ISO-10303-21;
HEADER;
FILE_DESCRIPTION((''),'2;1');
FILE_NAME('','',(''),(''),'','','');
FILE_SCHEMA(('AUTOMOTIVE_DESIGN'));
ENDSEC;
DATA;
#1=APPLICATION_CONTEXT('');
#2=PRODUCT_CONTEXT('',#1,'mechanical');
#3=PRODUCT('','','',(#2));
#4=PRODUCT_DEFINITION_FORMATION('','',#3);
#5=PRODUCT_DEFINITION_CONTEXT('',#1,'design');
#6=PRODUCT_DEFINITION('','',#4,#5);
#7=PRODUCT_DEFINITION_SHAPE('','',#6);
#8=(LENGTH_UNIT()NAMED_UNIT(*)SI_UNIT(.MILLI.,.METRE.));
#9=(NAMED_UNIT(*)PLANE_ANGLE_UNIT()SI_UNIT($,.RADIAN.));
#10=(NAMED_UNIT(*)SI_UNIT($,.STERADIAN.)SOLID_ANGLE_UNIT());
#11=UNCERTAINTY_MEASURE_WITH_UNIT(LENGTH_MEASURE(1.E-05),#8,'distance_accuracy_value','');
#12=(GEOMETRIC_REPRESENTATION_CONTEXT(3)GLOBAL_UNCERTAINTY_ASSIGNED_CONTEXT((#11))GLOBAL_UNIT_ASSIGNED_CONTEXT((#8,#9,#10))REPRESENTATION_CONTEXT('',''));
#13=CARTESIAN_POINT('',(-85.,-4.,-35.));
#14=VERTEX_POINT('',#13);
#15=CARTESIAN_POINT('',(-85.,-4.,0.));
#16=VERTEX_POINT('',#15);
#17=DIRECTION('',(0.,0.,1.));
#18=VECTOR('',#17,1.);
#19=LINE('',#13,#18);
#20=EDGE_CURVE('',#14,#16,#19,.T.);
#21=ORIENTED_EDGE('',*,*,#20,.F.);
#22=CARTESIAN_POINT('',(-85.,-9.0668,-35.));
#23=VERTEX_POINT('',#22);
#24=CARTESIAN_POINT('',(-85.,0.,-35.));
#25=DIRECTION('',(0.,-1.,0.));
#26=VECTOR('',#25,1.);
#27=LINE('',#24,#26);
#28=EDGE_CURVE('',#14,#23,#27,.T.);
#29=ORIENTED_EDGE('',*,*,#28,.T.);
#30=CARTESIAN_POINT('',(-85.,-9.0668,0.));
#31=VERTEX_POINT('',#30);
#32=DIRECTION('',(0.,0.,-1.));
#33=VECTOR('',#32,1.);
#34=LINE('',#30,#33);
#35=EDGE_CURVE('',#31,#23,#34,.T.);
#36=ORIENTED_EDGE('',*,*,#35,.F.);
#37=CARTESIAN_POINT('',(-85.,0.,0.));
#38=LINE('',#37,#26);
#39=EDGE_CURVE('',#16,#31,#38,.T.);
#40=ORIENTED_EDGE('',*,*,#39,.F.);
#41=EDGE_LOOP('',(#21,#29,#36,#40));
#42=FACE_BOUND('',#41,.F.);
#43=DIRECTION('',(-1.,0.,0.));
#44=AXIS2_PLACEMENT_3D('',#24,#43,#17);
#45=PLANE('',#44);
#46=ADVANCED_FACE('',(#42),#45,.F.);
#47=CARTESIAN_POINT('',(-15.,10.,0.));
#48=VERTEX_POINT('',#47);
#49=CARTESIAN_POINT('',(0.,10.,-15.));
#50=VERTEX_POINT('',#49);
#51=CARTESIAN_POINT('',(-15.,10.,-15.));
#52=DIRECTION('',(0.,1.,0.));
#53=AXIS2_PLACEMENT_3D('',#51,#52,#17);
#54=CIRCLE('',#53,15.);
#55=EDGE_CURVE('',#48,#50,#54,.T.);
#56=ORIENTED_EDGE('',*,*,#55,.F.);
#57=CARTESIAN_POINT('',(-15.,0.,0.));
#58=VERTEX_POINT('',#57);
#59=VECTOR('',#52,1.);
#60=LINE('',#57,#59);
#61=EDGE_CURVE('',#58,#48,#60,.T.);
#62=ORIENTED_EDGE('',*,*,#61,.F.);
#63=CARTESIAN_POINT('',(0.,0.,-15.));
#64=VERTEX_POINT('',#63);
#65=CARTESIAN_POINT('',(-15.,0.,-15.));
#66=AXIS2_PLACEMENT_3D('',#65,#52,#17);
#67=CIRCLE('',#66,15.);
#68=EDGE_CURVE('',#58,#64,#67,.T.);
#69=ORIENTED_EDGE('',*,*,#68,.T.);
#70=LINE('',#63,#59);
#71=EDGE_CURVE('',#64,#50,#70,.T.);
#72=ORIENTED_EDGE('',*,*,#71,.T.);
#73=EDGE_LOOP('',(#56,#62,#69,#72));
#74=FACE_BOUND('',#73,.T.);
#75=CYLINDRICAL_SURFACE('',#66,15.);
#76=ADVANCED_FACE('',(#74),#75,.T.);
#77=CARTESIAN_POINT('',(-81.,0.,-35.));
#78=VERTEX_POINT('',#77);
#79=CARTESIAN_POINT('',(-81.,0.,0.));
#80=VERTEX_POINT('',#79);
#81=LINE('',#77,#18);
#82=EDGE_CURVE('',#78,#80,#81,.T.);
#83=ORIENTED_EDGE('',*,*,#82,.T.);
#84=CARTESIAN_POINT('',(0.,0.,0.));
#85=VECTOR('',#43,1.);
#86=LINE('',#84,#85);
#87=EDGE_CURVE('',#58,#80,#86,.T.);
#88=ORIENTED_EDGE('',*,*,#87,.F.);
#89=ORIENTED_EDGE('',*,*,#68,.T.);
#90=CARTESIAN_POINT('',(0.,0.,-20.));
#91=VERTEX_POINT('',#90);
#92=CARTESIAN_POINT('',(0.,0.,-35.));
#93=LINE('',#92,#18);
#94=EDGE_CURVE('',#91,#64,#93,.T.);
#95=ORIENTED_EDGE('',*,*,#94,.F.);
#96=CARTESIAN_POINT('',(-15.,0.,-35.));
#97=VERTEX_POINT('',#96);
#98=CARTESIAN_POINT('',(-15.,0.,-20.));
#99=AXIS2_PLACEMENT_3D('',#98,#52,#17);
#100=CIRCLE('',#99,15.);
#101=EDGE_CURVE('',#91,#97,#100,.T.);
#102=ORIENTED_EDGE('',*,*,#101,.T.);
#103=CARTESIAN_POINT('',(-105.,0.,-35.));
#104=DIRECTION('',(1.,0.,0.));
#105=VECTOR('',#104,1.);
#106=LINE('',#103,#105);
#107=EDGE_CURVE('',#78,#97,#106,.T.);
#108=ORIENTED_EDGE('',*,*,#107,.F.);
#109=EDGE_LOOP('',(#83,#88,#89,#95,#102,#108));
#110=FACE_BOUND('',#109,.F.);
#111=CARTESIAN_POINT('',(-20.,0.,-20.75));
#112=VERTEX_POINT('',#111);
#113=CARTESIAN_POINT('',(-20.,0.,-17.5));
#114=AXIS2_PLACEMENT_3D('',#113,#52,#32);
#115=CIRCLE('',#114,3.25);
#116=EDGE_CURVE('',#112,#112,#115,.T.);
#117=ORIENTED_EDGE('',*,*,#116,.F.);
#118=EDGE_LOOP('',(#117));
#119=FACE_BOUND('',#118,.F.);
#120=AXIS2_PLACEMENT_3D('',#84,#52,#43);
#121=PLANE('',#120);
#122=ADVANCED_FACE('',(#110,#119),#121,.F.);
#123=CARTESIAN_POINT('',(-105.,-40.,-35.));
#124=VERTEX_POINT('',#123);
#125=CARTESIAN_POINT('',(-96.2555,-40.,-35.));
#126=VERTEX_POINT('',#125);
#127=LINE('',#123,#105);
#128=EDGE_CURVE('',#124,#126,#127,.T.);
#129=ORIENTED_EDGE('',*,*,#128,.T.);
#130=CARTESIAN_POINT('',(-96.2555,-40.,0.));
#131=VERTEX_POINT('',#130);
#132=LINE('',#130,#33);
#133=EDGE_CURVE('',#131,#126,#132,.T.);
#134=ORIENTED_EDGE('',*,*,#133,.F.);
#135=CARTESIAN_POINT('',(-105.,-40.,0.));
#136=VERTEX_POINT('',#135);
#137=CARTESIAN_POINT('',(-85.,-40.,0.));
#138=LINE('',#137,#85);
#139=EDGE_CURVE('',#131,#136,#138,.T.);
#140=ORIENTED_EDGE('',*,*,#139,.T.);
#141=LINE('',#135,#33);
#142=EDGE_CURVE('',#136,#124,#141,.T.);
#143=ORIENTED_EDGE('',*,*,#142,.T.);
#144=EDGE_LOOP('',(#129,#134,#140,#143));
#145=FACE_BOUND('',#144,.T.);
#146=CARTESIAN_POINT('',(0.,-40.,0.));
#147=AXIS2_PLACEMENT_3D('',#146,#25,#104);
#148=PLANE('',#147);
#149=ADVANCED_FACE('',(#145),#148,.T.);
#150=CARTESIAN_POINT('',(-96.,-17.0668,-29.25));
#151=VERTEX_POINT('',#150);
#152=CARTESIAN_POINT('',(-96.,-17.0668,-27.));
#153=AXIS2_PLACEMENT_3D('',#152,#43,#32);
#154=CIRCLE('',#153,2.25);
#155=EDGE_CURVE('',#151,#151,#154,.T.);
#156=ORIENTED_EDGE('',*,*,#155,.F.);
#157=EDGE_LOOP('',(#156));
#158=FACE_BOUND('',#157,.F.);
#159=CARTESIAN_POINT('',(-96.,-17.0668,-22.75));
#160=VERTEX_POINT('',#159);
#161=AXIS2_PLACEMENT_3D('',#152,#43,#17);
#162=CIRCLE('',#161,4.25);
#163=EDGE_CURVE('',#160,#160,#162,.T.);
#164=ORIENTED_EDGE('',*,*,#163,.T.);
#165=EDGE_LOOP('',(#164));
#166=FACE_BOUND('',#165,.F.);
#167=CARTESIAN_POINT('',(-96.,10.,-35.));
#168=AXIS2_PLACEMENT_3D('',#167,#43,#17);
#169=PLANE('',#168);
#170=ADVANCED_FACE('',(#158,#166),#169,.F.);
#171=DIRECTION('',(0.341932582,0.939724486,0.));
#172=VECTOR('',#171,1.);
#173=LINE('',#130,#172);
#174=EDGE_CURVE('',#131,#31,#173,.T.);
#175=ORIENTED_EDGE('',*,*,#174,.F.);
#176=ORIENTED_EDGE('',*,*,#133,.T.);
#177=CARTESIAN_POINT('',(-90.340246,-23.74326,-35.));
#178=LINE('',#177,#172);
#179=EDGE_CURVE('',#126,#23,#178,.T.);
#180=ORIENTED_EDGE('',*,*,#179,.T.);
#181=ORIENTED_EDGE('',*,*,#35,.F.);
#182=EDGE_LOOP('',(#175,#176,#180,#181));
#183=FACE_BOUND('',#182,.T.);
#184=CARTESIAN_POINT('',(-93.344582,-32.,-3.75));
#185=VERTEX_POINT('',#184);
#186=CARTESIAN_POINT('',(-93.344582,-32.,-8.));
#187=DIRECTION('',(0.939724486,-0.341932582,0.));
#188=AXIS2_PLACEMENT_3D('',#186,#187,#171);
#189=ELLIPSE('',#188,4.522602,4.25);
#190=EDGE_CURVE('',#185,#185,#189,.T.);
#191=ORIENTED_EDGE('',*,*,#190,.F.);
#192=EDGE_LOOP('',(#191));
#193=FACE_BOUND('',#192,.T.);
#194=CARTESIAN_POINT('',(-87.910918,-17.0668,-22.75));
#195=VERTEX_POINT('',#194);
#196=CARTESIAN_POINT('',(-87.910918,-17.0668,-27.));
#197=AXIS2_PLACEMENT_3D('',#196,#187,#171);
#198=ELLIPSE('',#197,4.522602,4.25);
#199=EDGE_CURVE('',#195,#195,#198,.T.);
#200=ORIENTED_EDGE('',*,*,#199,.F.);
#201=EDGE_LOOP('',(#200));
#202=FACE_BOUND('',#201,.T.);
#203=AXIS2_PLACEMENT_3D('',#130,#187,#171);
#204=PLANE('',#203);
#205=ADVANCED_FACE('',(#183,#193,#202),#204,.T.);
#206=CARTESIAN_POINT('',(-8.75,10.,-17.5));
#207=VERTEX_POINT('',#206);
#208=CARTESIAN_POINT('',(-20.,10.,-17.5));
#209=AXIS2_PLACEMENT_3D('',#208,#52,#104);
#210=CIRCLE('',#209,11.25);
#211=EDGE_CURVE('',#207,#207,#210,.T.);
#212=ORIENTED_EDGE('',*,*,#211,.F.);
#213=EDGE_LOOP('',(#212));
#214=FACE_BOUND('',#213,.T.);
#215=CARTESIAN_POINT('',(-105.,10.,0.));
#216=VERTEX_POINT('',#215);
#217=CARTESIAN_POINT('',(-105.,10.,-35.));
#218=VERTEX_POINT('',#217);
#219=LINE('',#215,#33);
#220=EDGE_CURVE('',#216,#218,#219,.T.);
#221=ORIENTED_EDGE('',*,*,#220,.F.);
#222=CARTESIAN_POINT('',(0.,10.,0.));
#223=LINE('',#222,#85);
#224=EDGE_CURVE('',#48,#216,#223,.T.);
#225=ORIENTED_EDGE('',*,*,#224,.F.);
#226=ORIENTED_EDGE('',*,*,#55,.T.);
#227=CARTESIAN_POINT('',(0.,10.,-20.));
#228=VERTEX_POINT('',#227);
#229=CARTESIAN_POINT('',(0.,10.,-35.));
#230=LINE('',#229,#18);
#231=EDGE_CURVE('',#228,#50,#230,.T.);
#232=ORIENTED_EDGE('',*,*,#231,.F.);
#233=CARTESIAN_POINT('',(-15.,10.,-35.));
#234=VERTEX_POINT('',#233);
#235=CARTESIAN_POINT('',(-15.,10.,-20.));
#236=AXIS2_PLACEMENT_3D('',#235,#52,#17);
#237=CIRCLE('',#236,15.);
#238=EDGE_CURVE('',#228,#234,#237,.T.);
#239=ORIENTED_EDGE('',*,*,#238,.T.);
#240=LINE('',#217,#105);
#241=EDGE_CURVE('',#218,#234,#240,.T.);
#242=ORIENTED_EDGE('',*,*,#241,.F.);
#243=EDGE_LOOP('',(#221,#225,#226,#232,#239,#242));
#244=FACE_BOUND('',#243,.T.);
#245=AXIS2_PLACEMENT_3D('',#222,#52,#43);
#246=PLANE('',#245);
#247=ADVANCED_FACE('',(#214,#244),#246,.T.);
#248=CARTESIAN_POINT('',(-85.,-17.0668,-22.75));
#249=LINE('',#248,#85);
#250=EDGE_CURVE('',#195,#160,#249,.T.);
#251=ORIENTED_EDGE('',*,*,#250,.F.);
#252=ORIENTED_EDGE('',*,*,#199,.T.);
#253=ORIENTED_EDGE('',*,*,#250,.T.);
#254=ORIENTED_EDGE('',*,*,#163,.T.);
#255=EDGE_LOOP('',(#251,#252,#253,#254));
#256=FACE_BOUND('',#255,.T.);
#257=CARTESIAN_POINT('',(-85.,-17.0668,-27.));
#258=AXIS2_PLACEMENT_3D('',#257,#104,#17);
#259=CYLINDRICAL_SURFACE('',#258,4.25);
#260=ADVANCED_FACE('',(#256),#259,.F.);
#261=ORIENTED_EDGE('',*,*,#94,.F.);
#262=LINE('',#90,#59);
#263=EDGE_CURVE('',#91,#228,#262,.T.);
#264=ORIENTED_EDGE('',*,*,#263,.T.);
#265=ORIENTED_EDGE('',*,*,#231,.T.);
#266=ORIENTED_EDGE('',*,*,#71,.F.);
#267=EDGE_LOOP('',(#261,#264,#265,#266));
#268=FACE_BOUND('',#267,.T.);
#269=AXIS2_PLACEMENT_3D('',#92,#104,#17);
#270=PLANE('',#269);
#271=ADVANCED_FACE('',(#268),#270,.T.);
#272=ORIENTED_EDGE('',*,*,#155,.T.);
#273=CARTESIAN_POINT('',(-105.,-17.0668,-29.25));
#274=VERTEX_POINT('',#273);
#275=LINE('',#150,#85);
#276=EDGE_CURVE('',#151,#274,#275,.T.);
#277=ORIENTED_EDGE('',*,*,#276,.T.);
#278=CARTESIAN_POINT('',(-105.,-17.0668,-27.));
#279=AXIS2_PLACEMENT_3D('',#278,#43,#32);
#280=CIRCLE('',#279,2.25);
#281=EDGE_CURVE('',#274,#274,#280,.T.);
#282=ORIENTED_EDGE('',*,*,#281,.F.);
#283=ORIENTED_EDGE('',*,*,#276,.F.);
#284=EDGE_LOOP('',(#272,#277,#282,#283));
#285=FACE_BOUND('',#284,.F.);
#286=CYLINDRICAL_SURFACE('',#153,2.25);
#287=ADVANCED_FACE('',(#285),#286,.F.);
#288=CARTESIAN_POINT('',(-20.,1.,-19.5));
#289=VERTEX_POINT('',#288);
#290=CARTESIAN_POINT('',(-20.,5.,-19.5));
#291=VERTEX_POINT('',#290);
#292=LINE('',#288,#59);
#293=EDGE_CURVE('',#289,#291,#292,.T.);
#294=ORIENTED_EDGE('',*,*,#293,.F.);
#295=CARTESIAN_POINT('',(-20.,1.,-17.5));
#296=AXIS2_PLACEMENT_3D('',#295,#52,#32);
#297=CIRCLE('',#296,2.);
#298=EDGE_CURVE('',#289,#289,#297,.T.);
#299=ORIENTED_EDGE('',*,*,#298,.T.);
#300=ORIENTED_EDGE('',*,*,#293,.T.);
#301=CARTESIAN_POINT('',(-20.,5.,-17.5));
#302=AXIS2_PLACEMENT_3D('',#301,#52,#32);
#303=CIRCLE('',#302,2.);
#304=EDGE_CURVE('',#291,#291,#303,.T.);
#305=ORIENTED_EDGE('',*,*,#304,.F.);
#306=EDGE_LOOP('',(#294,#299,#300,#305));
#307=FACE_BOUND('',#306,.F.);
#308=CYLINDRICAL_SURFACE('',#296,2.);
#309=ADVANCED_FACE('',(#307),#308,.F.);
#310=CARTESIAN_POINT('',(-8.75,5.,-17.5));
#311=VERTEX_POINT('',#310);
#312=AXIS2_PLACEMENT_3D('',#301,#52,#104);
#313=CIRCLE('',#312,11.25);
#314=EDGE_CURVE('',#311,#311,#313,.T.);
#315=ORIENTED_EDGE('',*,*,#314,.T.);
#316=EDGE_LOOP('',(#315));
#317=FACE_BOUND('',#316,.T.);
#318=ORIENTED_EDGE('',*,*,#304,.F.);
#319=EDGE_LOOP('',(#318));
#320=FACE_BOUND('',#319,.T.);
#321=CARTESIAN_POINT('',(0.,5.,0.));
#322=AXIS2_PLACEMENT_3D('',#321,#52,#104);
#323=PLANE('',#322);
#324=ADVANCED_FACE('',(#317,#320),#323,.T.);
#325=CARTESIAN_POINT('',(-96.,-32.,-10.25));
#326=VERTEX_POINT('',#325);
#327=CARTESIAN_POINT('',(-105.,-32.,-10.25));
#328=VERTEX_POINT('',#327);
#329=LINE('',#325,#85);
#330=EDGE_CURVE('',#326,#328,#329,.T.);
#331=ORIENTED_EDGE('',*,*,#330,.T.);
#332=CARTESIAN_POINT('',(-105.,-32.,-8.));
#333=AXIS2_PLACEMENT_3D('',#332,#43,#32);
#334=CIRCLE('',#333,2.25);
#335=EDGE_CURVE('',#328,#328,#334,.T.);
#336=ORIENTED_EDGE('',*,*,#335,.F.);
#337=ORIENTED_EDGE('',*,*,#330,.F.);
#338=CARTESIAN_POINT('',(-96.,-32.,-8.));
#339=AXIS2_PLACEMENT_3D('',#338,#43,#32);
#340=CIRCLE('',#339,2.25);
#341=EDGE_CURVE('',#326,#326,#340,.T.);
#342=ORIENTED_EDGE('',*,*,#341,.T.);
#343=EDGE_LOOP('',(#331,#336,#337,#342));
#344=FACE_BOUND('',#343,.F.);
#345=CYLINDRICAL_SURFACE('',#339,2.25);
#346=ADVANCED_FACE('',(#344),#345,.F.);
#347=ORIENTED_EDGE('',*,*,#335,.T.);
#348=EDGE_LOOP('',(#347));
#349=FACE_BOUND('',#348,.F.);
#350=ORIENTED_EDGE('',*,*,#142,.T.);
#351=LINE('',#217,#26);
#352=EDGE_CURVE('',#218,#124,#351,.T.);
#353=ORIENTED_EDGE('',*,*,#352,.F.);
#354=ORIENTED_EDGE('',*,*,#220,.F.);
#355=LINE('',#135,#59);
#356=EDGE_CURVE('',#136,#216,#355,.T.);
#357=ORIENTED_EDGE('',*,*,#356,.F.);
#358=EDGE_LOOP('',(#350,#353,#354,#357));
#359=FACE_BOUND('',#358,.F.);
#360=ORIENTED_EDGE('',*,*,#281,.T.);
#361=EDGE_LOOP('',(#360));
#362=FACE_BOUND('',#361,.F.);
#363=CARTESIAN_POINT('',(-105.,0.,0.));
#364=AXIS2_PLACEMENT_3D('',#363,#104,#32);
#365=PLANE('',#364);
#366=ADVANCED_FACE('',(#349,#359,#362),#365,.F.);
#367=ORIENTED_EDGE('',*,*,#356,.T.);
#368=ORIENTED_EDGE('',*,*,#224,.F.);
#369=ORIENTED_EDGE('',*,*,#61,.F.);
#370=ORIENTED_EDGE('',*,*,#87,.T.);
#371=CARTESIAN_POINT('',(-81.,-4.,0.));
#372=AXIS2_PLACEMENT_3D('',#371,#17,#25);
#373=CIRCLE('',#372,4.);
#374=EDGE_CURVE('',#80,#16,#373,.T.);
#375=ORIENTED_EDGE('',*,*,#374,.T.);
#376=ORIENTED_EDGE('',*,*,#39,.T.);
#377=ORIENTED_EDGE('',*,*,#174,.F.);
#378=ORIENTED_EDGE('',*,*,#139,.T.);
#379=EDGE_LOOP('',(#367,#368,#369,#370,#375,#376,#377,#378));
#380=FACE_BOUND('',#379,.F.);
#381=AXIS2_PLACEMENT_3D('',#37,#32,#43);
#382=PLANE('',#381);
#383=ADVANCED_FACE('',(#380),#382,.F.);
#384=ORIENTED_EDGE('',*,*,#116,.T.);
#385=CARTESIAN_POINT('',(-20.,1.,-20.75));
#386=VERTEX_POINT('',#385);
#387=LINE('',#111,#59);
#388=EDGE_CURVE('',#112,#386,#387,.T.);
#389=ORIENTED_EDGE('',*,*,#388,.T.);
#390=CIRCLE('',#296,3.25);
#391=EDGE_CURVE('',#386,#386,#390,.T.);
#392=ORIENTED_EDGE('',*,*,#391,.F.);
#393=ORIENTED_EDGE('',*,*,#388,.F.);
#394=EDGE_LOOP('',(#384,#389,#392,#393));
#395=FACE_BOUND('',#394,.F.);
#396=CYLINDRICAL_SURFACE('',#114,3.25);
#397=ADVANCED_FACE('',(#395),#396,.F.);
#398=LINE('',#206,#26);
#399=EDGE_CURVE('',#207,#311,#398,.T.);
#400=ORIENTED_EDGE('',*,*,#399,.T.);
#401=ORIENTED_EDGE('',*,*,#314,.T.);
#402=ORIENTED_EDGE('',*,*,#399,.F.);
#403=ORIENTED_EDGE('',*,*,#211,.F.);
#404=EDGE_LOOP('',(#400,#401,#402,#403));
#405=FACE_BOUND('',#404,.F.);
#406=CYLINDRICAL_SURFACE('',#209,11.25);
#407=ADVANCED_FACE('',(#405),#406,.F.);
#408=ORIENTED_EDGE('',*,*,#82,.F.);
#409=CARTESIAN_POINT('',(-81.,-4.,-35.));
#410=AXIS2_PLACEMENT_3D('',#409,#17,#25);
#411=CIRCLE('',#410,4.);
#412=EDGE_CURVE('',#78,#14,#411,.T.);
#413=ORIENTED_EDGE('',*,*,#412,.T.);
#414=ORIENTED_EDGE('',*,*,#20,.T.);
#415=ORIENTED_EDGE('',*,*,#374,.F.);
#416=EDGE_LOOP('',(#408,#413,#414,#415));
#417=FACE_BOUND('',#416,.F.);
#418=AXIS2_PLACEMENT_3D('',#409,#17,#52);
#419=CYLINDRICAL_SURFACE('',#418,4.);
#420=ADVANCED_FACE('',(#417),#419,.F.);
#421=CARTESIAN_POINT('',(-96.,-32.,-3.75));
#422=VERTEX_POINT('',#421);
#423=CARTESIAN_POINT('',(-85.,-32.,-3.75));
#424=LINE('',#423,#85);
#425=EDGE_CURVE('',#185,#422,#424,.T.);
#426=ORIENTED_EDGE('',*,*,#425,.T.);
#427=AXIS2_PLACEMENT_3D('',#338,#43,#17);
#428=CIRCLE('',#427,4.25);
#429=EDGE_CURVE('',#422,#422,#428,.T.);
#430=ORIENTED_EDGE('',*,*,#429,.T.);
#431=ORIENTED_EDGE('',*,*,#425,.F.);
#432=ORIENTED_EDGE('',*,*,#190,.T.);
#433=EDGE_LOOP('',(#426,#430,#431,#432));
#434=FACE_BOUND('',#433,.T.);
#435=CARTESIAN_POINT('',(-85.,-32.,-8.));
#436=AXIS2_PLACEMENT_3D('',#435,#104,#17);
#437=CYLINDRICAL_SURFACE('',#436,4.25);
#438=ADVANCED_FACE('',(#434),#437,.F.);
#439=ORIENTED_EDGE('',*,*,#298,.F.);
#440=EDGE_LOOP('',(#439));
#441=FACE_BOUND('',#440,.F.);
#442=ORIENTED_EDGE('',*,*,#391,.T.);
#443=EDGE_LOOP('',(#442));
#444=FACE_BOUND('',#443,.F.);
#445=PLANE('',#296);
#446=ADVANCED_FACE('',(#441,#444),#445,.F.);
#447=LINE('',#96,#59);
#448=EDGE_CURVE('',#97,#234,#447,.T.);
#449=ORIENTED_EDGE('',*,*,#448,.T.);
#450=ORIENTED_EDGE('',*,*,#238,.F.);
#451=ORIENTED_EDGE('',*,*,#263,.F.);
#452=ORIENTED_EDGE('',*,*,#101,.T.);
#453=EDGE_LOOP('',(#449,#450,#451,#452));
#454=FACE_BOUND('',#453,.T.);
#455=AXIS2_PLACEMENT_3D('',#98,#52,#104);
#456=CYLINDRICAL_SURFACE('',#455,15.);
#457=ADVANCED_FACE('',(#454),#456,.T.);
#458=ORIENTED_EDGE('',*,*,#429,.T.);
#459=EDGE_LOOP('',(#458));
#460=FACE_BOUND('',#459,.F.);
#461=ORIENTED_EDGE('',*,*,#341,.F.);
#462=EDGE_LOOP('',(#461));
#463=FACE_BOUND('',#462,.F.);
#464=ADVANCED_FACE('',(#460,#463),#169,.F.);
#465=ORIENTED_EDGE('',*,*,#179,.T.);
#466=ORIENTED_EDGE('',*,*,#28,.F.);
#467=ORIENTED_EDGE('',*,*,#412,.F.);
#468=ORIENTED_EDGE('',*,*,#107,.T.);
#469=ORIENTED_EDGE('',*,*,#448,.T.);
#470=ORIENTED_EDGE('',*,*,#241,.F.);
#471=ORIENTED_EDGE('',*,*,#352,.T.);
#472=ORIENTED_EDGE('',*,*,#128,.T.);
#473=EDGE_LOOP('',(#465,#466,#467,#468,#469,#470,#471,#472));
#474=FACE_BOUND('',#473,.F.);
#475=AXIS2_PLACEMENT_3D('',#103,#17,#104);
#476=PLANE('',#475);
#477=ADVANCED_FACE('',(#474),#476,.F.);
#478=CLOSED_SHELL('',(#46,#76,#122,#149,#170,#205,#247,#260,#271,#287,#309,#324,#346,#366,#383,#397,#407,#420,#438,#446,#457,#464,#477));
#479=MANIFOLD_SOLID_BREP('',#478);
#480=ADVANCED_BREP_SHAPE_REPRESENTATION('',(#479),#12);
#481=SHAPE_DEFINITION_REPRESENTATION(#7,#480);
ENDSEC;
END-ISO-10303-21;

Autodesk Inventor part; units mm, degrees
ref_plane "YZ Plane" through (0, 0, 0) normal (1, 0, 0) x (0, 1, 0)
ref_plane "XZ Plane" through (0, 0, 0) normal (0, 1, 0) x (-1, 0, 0)
sketch "Sketch1" plane through (0, 0, 0) normal (0, 1, 0) x (-1, 0, 0)
  line L0 (0, 0) -> (105, 0)
  line L1 (105, 0) -> (105, -35)
  line L2 (105, -35) -> (0, -35)
  line L3 (0, -35) -> (0, 0)
  dimension "d0" = 35
  dimension "d1" = 105
extrude "Extrusion1" add sketch "Sketch1" along normal blind 10
sketch "Sketch2" plane through (0, 10, 0) normal (0, 1, 0) x (1, 0, 0)
  circle A0 centre (-20, 17.5) radius 11.25
  line L0 (0, 35) -> (-105, 35) projected
  line L1 (-105, 35) -> (-105, 0) projected
  point P0 (0, 0)
  dimension "d4" = 22.5
  dimension "d5" = 17.5
  dimension "d6" = 85
extrude "Extrusion2" cut sketch "Sketch2" against normal blind 5
sketch "Sketch3" plane through (0, 0, 0) normal (0, -1, 0) x (1, 0, 0)
  circle A0 centre (-20, -17.5) radius 11.25 construction
  point P0 (0, 0)
hole "Hole1" at (-20, 0, -17.5) direction (0, 1, 0) diameter 4 depth 8 tip angle 118 counterbore diameter 6.5 counterbore depth 1
sketch "Sketch4" plane through (0, 0, 0) normal (0, -1, 0) x (1, 0, 0)
  line L0 (-105, -35) -> (0, -35) projected
  line L1 (-105, -35) -> (-85, -35)
  line L2 (-85, -35) -> (-85, 0)
  line L3 (-85, 0) -> (-105, 0)
  line L4 (-105, 0) -> (-105, -35)
  point P0 (0, 0)
  dimension "d16" = 20
extrude "Extrusion3" add sketch "Sketch4" along normal blind 40
sketch "Sketch5" plane through (-105, 10, 0) normal (0, 0, 1) x (1, 0, 0)
  line L0 (20, -50) -> (0, -50) projected
  line L1 (8.7445, -50) -> (20, -19.0668)
  line L2 (20, -10) -> (20, -50) projected
  line L3 (20, -50) -> (8.7445, -50)
  line L4 (20, -50) -> (20, -19.0668)
  point P0 (105, -10)
extrude "Extrusion4" cut sketch "Sketch5" against normal blind 42
ref_plane "Work Plane1" through (-85, 10, -35) normal (-1, 0, 0) x (0, 0, 1)
sketch "Sketch6" plane through (-85, 10, -35) normal (-1, 0, 0) x (0, 0, 1)
  circle A0 centre (27, -42) radius 4.25
  line L0 (35, -50) -> (35, -19.0668) projected
  line L1 (0, -50) -> (35, -50) projected
  circle A1 centre (8, -27.0668) radius 4.25
  line L2 (35, -19.0668) -> (0, -19.0668) projected
  line L3 (0, -19.0668) -> (0, -50) projected
  point P0 (35, -10)
  dimension "d22" = 8.5
  dimension "d23" = 8
  dimension "d24" = 8
  dimension "d25" = 8.5
  dimension "d26" = 8
  dimension "d27" = 8
extrude "Extrusion5" cut sketch "Sketch6" along normal blind 11 contours A0 | A1
sketch "Sketch7" plane through (-96, -32, -8) normal (1, 0, 0) x (0, 0, -1)
  point P0 (-8, 32)
  point P1 (0, 0)
hole "Hole2" at (-96, -32, -8) direction (-1, 0, 0) diameter 4.5 depth 10 tip angle 118
sketch "Sketch8" plane through (-96, -17.0668, -27) normal (1, 0, 0) x (0, 0, -1)
  point P0 (-27, 17.0668)
  point P1 (0, 0)
hole "Hole3" at (-96, -17.0668, -27) direction (-1, 0, 0) diameter 4.5 depth 10 tip angle 118
fillet "Fillet1" radius 4 1 edges at (-85, 0, -17.5)
fillet "Fillet2" radius 15 1 edges at (0, 5, 0)
fillet "Fillet3" radius 15 1 edges at (0, 5, -35)
properties part number "Large Bracket (RHS)"
